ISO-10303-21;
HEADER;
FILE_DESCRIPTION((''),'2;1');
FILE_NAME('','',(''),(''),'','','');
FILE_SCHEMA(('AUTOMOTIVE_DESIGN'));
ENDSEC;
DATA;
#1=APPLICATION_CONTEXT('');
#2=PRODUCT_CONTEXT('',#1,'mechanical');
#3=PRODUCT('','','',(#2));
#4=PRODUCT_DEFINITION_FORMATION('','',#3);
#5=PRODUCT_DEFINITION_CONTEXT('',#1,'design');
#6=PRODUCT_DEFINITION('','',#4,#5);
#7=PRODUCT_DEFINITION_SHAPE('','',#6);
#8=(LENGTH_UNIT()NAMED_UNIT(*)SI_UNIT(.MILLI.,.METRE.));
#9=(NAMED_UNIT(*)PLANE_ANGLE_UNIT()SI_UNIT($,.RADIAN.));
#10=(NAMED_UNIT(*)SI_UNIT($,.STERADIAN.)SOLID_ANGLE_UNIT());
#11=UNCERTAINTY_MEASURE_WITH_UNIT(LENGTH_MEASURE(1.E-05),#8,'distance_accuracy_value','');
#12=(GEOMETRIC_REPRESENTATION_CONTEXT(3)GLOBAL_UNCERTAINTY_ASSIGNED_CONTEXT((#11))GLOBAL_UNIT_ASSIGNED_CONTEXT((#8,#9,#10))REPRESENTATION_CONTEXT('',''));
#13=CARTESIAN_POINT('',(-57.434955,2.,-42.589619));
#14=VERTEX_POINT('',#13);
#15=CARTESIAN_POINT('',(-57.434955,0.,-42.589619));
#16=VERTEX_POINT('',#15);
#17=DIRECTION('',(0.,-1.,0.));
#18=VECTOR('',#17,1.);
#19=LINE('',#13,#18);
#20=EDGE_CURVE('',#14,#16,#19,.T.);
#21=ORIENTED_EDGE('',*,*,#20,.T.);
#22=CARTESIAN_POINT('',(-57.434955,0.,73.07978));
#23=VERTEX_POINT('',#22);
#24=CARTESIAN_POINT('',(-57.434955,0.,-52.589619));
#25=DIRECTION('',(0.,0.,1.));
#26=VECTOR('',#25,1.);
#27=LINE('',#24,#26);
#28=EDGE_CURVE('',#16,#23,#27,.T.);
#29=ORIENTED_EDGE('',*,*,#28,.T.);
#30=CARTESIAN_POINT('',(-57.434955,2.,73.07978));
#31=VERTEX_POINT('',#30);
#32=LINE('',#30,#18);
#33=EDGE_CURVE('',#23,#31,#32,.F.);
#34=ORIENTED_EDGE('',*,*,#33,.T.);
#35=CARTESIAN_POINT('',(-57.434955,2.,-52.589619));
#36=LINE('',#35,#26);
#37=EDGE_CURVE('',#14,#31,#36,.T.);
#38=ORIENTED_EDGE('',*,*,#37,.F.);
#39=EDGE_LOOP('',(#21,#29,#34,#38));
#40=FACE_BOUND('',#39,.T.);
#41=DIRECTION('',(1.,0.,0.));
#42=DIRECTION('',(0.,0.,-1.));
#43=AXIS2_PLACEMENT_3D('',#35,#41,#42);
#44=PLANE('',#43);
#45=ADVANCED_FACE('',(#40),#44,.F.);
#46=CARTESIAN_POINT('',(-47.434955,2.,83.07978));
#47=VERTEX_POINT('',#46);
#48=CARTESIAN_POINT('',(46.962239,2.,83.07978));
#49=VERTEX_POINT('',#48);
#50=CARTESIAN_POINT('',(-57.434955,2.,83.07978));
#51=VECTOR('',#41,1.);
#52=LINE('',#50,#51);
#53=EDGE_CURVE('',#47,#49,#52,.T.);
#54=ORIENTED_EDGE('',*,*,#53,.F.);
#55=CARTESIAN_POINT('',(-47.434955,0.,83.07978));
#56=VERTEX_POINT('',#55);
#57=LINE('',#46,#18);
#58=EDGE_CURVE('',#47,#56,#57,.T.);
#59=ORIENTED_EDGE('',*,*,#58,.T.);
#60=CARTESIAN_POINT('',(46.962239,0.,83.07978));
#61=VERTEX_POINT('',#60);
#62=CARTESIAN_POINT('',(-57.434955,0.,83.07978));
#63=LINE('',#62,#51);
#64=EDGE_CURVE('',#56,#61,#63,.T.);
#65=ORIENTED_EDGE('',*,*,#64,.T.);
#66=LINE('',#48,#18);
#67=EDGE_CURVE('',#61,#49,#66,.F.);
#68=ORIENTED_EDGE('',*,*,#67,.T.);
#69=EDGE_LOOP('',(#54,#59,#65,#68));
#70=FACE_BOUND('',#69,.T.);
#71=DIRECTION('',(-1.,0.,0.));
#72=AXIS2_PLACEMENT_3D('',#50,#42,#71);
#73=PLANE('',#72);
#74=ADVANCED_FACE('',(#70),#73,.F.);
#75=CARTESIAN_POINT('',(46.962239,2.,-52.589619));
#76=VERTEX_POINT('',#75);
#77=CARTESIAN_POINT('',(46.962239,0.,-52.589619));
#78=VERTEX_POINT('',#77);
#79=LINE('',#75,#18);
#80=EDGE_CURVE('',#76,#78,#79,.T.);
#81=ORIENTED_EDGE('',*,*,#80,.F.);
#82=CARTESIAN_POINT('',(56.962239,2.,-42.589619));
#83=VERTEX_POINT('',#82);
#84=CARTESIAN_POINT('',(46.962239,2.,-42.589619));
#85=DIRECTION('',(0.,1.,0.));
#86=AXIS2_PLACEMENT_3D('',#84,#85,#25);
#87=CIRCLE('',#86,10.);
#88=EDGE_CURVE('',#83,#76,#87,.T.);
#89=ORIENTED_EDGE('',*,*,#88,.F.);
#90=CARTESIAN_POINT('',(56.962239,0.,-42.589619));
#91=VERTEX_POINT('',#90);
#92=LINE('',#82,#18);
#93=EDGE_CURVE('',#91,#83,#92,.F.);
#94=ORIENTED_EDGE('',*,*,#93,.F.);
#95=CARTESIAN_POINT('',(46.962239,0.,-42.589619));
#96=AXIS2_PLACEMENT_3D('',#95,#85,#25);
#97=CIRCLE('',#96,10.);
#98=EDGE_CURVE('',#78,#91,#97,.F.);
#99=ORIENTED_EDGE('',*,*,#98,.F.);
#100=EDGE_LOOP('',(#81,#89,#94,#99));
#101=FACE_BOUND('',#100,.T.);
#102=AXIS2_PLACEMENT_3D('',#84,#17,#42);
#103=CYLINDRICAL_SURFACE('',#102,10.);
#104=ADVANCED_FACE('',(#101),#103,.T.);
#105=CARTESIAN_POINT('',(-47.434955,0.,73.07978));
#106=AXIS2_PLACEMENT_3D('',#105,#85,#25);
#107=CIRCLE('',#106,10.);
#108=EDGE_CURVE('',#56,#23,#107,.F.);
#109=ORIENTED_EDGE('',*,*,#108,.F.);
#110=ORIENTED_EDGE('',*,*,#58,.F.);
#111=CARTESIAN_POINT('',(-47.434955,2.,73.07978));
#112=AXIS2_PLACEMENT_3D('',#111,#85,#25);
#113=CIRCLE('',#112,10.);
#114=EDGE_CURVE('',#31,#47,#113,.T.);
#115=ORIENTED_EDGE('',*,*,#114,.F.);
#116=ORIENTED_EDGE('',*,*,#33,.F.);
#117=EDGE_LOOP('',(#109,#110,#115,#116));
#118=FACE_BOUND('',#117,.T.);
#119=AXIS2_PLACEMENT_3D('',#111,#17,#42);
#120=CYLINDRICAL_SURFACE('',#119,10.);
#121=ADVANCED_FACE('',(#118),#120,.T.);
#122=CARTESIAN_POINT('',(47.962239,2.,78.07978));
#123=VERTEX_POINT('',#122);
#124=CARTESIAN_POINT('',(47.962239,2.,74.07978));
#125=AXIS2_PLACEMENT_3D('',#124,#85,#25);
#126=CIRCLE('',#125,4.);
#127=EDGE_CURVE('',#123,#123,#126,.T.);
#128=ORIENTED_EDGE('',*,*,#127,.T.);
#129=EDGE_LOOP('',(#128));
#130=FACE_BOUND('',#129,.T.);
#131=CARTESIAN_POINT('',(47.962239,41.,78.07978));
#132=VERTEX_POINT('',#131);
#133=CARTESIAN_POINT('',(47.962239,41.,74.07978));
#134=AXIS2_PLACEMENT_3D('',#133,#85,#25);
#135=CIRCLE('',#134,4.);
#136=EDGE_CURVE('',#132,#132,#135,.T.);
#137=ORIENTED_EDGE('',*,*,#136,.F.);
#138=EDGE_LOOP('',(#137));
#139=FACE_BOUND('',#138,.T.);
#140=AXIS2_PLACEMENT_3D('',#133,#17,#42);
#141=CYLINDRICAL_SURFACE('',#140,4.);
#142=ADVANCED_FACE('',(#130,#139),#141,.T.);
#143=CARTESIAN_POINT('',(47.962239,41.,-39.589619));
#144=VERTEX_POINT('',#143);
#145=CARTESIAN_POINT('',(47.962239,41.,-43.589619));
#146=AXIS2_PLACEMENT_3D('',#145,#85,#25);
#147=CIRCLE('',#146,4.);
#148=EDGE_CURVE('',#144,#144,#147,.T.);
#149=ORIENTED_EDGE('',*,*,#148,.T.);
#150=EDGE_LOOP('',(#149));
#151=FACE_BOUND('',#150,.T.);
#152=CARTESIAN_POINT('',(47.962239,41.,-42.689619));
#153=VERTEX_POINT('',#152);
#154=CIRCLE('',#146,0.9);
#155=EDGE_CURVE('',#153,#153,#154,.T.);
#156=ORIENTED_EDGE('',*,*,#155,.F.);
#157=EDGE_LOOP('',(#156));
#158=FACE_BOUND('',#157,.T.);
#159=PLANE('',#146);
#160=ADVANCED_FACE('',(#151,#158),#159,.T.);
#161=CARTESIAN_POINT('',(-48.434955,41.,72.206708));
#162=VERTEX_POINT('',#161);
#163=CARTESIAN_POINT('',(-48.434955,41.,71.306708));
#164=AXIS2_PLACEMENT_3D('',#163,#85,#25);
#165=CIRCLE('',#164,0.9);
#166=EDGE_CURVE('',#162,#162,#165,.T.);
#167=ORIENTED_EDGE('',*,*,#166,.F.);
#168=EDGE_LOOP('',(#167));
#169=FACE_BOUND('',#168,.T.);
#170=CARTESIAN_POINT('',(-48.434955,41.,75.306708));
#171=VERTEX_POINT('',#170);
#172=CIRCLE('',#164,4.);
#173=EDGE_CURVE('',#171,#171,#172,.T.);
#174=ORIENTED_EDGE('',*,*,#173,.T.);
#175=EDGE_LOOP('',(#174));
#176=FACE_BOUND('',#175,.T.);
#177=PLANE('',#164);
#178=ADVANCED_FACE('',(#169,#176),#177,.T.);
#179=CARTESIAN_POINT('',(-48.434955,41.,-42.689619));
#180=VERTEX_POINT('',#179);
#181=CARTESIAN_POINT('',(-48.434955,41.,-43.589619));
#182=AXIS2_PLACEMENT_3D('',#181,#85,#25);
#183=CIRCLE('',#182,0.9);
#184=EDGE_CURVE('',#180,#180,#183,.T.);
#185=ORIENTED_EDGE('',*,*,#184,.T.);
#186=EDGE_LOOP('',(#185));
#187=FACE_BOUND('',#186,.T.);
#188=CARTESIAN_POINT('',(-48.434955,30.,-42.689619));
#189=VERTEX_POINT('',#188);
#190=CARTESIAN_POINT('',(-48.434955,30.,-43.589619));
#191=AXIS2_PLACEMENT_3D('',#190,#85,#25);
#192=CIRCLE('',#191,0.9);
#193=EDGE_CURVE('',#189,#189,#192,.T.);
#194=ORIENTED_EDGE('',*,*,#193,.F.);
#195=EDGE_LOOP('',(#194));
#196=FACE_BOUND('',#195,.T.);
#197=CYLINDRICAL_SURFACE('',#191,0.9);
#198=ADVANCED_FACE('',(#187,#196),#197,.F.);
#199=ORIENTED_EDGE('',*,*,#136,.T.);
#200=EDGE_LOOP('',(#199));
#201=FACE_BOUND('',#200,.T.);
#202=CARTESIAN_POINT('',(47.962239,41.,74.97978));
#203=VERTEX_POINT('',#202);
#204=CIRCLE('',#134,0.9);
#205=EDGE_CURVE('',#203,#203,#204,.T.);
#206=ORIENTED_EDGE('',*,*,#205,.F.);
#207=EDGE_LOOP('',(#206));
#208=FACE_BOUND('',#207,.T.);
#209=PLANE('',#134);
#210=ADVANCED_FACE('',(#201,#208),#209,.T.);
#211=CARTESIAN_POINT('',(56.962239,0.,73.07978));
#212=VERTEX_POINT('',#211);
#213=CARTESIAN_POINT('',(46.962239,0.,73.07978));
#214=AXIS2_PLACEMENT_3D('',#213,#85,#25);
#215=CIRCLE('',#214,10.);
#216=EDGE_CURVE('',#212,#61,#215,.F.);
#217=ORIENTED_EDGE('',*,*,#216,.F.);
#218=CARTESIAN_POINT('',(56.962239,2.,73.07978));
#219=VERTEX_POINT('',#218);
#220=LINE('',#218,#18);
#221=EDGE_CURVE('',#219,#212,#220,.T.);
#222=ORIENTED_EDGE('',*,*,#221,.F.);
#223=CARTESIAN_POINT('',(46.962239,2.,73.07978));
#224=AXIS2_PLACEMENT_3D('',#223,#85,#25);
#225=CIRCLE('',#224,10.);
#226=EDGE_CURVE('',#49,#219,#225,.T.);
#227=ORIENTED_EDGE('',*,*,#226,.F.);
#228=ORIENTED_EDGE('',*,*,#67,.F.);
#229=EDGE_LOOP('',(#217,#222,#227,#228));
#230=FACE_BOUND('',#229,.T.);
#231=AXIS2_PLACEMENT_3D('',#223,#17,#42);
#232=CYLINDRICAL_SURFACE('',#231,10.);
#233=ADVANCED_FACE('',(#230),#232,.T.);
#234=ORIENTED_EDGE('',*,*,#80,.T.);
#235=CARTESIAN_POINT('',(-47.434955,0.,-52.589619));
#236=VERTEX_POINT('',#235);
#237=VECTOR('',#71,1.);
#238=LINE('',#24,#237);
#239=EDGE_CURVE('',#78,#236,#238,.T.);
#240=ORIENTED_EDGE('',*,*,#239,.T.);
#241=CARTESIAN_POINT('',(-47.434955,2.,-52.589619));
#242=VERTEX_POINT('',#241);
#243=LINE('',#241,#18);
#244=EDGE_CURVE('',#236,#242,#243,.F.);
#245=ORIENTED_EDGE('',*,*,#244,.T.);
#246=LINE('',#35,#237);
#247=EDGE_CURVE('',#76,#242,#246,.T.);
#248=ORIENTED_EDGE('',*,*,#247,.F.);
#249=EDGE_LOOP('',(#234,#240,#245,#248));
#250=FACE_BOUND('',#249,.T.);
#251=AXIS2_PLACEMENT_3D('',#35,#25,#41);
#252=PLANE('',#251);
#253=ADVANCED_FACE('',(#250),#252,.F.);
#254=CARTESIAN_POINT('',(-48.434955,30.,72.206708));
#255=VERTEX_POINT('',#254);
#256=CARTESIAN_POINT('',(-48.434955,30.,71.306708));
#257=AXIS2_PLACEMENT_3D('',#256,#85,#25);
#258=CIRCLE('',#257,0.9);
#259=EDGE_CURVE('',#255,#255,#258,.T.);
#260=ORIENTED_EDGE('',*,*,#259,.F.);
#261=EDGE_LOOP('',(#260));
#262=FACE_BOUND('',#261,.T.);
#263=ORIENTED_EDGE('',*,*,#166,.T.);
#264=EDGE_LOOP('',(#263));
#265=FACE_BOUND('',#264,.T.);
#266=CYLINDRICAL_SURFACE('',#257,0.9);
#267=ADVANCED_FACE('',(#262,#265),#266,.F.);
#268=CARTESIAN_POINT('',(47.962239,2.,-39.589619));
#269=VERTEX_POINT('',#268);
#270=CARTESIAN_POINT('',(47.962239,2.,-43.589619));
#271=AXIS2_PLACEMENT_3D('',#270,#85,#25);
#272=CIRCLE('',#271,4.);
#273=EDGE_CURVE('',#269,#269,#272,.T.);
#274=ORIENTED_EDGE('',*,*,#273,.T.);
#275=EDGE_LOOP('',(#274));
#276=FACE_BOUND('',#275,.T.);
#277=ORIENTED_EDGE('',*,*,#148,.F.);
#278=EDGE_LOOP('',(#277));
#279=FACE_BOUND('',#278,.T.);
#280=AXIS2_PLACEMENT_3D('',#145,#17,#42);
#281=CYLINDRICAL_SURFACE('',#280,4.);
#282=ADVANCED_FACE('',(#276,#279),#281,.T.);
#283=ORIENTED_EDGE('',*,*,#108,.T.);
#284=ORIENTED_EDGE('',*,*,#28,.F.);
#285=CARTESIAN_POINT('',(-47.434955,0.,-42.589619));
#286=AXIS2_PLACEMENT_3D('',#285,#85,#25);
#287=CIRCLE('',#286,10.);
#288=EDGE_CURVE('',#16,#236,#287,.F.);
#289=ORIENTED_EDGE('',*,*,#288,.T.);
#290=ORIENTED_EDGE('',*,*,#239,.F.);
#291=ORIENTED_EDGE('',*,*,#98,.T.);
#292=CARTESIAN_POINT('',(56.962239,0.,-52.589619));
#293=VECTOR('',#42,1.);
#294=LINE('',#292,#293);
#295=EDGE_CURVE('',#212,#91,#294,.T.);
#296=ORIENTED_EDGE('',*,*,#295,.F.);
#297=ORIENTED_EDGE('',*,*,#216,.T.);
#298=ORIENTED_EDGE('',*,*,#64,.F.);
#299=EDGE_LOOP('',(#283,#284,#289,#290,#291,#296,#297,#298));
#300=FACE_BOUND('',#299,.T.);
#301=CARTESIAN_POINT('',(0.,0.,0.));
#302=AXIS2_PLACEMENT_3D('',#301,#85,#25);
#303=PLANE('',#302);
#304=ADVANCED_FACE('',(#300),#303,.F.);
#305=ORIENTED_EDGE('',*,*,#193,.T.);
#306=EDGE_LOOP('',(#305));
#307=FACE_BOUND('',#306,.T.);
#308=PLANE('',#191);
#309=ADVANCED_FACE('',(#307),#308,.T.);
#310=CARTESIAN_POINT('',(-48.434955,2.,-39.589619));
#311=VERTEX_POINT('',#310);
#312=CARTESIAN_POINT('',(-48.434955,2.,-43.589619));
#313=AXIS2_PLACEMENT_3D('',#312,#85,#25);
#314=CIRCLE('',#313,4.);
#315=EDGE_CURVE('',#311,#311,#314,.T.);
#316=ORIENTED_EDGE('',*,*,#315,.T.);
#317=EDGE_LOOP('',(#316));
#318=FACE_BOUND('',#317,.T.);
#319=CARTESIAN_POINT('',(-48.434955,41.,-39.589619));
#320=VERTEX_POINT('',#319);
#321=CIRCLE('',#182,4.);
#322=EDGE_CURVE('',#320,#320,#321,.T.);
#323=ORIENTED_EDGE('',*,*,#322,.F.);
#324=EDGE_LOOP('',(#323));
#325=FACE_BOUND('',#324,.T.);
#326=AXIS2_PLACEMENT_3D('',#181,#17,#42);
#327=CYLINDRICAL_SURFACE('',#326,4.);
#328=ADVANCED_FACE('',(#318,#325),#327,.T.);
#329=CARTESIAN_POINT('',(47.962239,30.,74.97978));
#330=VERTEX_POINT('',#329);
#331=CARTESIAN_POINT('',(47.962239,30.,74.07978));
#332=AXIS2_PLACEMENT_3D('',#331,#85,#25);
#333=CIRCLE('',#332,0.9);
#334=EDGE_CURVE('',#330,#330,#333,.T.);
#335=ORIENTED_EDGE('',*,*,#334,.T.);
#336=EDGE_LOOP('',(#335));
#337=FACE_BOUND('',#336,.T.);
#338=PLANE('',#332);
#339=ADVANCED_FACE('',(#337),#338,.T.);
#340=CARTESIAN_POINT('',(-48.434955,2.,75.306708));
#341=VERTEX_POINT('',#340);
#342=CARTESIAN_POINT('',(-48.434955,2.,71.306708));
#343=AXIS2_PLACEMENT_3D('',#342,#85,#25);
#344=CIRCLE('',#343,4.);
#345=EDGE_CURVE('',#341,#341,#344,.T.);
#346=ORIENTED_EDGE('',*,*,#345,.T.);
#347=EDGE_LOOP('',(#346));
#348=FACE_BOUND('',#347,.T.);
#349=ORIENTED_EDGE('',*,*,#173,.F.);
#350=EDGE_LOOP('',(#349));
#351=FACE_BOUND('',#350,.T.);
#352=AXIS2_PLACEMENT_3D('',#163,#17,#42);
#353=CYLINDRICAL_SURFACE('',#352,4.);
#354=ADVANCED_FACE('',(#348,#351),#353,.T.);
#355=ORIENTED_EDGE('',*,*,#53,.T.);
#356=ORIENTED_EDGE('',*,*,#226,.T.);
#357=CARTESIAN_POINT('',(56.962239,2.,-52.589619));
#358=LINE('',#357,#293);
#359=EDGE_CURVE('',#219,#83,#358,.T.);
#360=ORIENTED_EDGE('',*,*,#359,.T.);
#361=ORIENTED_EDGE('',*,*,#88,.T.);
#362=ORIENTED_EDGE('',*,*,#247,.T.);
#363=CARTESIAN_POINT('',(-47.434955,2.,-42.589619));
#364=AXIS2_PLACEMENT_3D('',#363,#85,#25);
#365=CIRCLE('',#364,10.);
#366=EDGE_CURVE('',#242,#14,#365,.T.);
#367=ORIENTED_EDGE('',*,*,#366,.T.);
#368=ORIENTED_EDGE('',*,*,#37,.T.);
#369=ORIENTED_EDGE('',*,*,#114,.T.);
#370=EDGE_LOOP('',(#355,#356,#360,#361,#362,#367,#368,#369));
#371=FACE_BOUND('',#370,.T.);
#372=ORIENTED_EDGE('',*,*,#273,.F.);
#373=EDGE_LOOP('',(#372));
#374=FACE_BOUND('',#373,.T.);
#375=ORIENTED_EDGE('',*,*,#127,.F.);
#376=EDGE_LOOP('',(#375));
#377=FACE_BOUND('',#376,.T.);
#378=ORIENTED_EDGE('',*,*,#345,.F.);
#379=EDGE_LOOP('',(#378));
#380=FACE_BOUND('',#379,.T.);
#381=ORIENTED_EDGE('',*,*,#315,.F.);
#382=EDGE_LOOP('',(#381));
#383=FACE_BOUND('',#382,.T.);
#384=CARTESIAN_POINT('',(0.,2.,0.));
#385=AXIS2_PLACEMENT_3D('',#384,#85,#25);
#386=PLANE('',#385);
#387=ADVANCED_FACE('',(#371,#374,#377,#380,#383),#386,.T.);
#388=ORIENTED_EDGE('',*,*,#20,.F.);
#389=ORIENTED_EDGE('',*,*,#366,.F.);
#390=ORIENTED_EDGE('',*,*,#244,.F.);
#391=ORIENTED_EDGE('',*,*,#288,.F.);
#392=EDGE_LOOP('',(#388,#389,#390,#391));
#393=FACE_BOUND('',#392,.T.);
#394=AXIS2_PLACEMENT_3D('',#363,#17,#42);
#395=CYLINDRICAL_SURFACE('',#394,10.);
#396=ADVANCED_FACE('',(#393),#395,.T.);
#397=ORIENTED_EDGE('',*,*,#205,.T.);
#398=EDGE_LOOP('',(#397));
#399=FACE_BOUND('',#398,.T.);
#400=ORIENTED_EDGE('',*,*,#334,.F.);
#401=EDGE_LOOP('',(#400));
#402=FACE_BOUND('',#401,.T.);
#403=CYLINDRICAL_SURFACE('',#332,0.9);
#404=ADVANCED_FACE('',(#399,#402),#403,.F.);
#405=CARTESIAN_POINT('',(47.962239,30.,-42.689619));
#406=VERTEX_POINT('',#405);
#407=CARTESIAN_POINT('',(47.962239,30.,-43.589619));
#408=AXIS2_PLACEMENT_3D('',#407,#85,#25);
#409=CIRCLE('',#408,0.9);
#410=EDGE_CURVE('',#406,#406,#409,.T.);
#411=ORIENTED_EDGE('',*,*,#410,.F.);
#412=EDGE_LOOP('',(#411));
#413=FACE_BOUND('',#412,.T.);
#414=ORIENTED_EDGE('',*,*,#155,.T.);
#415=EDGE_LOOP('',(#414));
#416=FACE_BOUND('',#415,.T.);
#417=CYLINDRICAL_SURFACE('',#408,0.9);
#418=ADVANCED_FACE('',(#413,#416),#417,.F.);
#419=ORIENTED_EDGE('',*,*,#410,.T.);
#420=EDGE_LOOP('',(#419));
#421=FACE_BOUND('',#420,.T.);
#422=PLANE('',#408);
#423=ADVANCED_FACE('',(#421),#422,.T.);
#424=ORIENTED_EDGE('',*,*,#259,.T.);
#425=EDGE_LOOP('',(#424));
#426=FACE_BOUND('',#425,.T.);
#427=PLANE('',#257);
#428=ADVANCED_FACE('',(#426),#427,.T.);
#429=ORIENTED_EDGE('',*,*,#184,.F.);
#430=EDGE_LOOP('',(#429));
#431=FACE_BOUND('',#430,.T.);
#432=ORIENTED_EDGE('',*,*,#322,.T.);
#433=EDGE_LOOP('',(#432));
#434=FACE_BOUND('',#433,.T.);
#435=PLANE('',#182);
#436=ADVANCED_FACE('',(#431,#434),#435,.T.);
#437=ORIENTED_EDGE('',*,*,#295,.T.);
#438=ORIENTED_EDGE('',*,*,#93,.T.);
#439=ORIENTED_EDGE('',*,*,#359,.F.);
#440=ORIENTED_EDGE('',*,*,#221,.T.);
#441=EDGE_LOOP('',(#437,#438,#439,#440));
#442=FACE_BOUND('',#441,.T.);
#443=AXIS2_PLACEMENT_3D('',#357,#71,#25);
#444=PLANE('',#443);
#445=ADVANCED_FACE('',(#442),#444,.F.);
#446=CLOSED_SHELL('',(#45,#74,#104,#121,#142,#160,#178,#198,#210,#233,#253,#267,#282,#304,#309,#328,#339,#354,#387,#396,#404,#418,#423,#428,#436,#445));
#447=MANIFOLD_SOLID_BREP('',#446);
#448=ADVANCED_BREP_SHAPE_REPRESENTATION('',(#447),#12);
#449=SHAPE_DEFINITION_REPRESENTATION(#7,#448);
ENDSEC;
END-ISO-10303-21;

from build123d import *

# Parameters (mm, degrees)
SKETCH_1_W          = 114.397193433
SKETCH_1_H          = 135.669398824
EXTRUDE_1_DEPTH     = 2
SKETCH_2_R          = 4
EXTRUDE_2_DEPTH     = 39
SKETCH_3_R          = 0.9
CUT_EXTRUDE_1_DEPTH = 11
FILLET_1_R          = 10


with BuildPart() as part:
    # Эскиз1 → Бобышка-Вытянуть1 (new body)
    with BuildSketch(Plane(origin=(0, 0, 0), x_dir=(1, 0, 0), z_dir=(0, 1, 0))):
        with Locations((-0.236357837, -15.24508053)):
            Rectangle(SKETCH_1_W, SKETCH_1_H)
    extrude(amount=EXTRUDE_1_DEPTH)

    # Эскиз2 → Бобышка-Вытянуть2 (add)
    with BuildSketch(Plane(origin=(0, 2, 0), x_dir=(1, 0, 0), z_dir=(0, 1, 0))):
        with Locations((-48.434954554, 43.589618882)):
            Circle(SKETCH_2_R)
        with Locations((47.962238879, 43.589618882)):
            Circle(SKETCH_2_R)
        with Locations((47.962238879, -74.079779942)):
            Circle(SKETCH_2_R)
        with Locations((-48.434954554, -71.306708374)):
            Circle(SKETCH_2_R)
    extrude(amount=EXTRUDE_2_DEPTH)

    # Эскиз3 → Вырез-Вытянуть1 (cut)
    with BuildSketch(Plane(origin=(0, 41, 0), x_dir=(1, 0, 0), z_dir=(0, 1, 0))):
        with Locations((47.962238879, -74.079779942)):
            Circle(SKETCH_3_R)
        with Locations((-48.434954554, -71.306708374)):
            Circle(SKETCH_3_R)
        with Locations((-48.434954554, 43.589618882)):
            Circle(SKETCH_3_R)
        with Locations((47.962238879, 43.589618882)):
            Circle(SKETCH_3_R)
    extrude(amount=-CUT_EXTRUDE_1_DEPTH, mode=Mode.SUBTRACT)

    # Скругление1
    fillet_1_edges = [part.edges().sort_by_distance(p)[0] for p in [
        (-57.434954554, 1, -52.589618882),
        (56.962238879, 1, -52.589618882),
        (56.962238879, 1, 83.079779942),
        (-57.434954554, 1, 83.079779942),
    ]]
    fillet(fillet_1_edges, radius=FILLET_1_R)


solid = part.part
